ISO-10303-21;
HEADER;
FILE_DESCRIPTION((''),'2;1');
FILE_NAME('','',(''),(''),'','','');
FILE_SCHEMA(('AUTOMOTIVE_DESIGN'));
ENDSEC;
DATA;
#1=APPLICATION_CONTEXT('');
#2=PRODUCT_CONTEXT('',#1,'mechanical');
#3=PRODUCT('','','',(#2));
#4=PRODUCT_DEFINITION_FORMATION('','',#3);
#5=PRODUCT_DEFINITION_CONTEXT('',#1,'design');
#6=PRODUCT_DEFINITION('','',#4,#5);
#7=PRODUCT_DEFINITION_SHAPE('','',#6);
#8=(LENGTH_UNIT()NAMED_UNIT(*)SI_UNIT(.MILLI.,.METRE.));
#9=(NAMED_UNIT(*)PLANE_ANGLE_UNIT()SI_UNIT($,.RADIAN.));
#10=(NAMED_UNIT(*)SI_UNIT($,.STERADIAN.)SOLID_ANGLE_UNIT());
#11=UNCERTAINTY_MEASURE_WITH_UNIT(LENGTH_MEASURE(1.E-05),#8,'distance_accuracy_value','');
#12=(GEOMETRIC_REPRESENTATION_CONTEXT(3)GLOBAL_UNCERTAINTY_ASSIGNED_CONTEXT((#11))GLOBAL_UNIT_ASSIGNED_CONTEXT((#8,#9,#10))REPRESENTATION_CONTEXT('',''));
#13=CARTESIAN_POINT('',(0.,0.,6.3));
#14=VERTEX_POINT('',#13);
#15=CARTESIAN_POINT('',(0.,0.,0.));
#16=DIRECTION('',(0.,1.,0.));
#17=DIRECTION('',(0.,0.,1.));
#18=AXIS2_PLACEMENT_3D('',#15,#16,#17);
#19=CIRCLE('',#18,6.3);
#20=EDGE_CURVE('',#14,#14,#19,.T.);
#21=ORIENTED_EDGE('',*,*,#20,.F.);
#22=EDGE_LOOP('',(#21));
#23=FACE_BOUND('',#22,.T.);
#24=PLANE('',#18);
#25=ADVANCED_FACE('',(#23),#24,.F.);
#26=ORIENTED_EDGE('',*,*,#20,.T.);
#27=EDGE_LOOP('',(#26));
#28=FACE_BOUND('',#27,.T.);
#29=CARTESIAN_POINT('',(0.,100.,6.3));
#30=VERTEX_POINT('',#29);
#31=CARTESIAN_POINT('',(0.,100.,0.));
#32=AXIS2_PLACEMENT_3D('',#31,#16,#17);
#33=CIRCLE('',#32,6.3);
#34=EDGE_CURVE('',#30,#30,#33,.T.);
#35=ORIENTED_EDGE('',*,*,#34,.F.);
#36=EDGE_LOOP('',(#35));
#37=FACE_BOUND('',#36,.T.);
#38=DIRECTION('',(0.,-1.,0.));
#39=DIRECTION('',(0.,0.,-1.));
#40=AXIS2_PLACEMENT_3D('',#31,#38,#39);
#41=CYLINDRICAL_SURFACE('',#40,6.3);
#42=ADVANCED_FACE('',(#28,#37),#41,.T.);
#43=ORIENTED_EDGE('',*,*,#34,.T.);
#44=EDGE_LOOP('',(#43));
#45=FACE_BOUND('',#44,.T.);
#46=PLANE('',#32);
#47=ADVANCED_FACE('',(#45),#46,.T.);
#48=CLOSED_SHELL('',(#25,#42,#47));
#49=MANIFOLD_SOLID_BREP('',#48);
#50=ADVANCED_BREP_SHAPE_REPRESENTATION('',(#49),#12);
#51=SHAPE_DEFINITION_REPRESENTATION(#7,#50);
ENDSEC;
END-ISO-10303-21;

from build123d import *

# Parameters (mm, degrees)
SKETCH2_R           = 6.3
BOSS_EXTRUDE1_DEPTH = 100


with BuildPart() as part:
    # Sketch2 → Boss-Extrude1 (new body)
    with BuildSketch(Plane(origin=(0, 0, 0), x_dir=(1, 0, 0), z_dir=(0, 1, 0))):
        Circle(SKETCH2_R)
    extrude(amount=BOSS_EXTRUDE1_DEPTH)


solid = part.part
